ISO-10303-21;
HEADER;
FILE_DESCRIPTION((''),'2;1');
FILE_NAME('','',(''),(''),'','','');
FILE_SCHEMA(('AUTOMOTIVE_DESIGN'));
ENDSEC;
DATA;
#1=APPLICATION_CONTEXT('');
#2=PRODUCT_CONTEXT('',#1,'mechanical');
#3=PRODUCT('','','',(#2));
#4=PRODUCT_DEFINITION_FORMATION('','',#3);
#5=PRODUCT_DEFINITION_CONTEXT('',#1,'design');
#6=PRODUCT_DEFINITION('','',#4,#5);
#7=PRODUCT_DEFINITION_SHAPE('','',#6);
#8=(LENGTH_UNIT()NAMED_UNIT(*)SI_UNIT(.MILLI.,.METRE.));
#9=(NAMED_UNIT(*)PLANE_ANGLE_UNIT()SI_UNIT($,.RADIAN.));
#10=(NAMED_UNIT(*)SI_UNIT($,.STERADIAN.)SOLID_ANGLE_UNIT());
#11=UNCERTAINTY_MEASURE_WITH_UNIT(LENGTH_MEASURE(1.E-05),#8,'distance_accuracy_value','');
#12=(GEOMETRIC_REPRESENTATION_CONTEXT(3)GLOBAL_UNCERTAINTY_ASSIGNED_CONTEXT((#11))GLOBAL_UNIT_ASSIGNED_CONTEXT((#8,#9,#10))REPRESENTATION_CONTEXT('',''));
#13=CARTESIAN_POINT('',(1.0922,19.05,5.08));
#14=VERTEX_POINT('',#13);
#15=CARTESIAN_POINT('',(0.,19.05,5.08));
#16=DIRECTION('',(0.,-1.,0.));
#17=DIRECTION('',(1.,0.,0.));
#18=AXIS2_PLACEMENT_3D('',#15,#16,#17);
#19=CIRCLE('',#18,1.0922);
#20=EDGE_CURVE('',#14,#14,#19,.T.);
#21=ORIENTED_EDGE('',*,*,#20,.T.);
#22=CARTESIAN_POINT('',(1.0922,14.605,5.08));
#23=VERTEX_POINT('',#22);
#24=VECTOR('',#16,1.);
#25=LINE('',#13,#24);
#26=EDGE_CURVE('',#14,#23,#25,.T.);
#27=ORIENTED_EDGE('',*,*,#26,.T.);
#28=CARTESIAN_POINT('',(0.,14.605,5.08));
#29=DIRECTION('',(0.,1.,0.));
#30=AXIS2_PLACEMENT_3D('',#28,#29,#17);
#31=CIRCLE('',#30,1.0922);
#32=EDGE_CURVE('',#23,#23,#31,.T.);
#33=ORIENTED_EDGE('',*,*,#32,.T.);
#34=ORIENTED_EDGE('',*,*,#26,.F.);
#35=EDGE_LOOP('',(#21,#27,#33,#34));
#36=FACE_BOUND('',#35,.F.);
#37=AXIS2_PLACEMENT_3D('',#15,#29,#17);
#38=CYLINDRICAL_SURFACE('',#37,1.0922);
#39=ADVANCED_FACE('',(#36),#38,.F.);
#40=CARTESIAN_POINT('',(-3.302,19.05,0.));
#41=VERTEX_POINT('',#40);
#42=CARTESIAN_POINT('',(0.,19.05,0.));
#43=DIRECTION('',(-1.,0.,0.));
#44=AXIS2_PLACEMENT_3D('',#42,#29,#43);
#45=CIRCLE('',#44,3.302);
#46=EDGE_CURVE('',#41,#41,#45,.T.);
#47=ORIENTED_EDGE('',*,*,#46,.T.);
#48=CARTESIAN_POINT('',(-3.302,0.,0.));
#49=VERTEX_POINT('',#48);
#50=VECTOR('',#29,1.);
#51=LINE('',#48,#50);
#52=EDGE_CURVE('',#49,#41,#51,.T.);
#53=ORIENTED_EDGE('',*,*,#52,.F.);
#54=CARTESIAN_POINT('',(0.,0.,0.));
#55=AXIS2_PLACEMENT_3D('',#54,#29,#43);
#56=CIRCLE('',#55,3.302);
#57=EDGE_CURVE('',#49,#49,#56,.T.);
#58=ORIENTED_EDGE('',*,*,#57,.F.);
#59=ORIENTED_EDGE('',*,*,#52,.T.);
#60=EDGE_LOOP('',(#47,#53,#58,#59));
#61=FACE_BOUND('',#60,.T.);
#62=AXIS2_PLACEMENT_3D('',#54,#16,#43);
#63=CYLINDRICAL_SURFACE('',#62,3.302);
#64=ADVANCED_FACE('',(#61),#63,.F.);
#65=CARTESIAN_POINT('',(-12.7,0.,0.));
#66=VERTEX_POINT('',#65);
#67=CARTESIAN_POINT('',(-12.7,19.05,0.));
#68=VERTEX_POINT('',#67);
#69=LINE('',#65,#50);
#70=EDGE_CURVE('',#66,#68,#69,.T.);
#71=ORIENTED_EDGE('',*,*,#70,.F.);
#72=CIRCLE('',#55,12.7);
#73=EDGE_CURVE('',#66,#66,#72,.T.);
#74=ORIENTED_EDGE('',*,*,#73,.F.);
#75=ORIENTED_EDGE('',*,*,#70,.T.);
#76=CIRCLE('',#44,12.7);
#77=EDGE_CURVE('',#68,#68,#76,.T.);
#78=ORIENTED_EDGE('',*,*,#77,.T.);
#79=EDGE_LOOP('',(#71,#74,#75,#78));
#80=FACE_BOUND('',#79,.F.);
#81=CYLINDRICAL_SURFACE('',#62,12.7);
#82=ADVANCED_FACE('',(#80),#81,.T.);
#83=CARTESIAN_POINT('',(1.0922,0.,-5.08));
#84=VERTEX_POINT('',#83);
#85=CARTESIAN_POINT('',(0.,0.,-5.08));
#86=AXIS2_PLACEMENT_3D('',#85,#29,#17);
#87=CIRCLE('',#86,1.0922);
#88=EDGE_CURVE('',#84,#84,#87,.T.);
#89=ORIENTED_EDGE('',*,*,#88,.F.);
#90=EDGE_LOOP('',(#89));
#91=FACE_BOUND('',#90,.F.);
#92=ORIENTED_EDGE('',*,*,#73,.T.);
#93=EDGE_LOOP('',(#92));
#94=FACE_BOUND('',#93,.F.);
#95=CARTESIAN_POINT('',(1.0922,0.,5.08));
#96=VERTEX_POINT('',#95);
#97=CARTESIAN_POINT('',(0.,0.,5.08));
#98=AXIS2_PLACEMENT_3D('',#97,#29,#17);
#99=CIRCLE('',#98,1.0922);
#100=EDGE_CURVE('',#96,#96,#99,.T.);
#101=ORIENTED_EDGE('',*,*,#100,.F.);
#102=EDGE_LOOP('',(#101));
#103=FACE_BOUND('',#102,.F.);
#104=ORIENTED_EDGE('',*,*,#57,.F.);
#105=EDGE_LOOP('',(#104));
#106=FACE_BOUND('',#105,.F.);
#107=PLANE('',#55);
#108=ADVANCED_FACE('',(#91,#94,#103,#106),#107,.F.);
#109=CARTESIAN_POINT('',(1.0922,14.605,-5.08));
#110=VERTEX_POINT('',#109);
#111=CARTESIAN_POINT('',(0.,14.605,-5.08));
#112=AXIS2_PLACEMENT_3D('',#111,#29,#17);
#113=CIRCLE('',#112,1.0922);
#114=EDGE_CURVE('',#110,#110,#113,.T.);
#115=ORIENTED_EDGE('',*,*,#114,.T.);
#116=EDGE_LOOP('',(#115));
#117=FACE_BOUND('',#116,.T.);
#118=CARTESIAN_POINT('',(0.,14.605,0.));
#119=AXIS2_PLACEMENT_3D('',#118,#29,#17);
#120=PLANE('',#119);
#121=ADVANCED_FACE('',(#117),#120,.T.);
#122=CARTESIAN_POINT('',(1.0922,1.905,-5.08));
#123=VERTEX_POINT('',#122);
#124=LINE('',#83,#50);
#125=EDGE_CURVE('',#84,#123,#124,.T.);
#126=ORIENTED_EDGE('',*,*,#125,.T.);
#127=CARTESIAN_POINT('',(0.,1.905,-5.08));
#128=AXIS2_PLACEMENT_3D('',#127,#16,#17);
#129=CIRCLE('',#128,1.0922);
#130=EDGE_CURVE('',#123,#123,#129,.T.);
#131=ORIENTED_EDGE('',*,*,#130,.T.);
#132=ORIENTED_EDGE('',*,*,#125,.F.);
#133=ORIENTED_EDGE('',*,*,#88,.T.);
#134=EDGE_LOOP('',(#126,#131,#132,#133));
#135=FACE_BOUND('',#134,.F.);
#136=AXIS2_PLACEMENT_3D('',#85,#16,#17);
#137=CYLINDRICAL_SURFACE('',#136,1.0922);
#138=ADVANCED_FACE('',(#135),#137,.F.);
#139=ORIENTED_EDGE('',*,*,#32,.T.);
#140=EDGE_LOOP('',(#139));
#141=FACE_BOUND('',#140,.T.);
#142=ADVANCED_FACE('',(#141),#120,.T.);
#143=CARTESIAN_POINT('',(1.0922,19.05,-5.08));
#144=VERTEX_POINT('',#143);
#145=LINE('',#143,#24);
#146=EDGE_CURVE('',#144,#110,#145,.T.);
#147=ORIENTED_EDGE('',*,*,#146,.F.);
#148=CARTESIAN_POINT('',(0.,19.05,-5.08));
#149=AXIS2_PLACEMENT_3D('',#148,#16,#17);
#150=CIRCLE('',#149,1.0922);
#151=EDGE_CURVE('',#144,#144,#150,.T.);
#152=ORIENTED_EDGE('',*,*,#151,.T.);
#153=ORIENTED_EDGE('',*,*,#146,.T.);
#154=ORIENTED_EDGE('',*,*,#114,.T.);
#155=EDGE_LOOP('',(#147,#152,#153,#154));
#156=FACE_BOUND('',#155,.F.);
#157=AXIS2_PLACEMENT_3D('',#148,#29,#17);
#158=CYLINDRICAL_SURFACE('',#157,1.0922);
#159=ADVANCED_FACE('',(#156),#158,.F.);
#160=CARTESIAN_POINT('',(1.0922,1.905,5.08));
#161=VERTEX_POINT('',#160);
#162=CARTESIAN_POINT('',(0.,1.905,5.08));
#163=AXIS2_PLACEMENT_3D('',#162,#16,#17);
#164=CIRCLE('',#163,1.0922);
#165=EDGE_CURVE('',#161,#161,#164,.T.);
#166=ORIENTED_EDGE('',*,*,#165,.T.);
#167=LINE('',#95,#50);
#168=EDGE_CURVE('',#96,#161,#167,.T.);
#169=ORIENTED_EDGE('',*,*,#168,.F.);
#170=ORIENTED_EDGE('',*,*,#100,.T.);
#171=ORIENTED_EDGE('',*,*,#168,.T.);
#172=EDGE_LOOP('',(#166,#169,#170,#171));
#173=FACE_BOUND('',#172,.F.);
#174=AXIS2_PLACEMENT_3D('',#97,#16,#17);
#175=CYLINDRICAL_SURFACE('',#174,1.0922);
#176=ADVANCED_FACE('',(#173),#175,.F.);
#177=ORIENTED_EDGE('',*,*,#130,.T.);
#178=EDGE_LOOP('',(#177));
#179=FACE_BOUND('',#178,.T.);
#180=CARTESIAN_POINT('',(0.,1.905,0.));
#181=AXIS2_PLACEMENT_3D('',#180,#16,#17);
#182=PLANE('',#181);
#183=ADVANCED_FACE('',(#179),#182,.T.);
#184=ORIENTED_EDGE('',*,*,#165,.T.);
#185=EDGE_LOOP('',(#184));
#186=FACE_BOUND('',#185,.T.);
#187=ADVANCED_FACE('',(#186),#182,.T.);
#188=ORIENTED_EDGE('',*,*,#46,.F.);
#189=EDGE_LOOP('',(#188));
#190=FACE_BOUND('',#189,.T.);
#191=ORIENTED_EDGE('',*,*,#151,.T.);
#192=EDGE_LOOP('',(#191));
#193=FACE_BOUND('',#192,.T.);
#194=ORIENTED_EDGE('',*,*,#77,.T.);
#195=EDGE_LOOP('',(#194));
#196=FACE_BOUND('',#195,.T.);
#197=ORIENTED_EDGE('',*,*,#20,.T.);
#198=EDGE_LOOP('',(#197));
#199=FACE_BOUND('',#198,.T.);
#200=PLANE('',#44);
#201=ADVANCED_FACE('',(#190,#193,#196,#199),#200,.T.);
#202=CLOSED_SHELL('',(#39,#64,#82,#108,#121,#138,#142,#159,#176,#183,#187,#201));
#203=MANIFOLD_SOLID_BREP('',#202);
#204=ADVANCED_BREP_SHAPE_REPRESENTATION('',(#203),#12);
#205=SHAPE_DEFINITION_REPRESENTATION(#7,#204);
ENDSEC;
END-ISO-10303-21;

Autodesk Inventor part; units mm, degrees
ref_plane "YZ Plane" through (0, 0, 0) normal (1, 0, 0) x (0, 1, 0)
ref_plane "XZ Plane" through (0, 0, 0) normal (0, 1, 0) x (-1, 0, 0)
ref_plane "XY Plane" through (0, 0, 0) normal (0, 0, 1) x (1, 0, 0)
sketch "Sketch1" plane through (0, 0, 0) normal (0, 1, 0) x (-1, 0, 0)
  circle A0 centre (0, 0) radius 12.7
  circle A1 centre (0, 0) radius 3.302
  dimension "d0" = 25.4
  dimension "d1" = 6.604
extrude "Extrusion1" add sketch "Sketch1" along normal blind 19.05
sketch "Sketch2" plane through (0, 19.05, 0) normal (0, 1, 0) x (1, 0, 0)
  line L0 (0, 0) -> (0, -5.08)
  line L1 (0, -5.08) -> (0, 0)
  line L2 (0, 0) -> (0, 5.08)
  circle A0 centre (0, -5.08) radius 1.0922
  circle A1 centre (0, 5.08) radius 1.0922
  dimension "d4" = 5.08
  dimension "d5" = 5.08
  dimension "d6" = 2.1844
  dimension "d7" = 2.1844
extrude "Extrusion2" cut sketch "Sketch2" against normal blind 4.445
sketch "Sketch3" plane through (0, 0, 0) normal (0, -1, 0) x (1, 0, 0)
  line L0 (0, 0) -> (0, 5.08)
  line L1 (0, 5.08) -> (0, -5.08)
  circle A0 centre (0, 5.08) radius 1.0922
  circle A1 centre (0, -5.08) radius 1.0922
  dimension "d10" = 5.08
  dimension "d11" = 10.16
  dimension "d14" = 2.1844
  dimension "d15" = 2.1844
extrude "Extrusion3" cut sketch "Sketch3" against normal blind 1.905
properties part number "45DegreeMirrorPost_0p75in"
